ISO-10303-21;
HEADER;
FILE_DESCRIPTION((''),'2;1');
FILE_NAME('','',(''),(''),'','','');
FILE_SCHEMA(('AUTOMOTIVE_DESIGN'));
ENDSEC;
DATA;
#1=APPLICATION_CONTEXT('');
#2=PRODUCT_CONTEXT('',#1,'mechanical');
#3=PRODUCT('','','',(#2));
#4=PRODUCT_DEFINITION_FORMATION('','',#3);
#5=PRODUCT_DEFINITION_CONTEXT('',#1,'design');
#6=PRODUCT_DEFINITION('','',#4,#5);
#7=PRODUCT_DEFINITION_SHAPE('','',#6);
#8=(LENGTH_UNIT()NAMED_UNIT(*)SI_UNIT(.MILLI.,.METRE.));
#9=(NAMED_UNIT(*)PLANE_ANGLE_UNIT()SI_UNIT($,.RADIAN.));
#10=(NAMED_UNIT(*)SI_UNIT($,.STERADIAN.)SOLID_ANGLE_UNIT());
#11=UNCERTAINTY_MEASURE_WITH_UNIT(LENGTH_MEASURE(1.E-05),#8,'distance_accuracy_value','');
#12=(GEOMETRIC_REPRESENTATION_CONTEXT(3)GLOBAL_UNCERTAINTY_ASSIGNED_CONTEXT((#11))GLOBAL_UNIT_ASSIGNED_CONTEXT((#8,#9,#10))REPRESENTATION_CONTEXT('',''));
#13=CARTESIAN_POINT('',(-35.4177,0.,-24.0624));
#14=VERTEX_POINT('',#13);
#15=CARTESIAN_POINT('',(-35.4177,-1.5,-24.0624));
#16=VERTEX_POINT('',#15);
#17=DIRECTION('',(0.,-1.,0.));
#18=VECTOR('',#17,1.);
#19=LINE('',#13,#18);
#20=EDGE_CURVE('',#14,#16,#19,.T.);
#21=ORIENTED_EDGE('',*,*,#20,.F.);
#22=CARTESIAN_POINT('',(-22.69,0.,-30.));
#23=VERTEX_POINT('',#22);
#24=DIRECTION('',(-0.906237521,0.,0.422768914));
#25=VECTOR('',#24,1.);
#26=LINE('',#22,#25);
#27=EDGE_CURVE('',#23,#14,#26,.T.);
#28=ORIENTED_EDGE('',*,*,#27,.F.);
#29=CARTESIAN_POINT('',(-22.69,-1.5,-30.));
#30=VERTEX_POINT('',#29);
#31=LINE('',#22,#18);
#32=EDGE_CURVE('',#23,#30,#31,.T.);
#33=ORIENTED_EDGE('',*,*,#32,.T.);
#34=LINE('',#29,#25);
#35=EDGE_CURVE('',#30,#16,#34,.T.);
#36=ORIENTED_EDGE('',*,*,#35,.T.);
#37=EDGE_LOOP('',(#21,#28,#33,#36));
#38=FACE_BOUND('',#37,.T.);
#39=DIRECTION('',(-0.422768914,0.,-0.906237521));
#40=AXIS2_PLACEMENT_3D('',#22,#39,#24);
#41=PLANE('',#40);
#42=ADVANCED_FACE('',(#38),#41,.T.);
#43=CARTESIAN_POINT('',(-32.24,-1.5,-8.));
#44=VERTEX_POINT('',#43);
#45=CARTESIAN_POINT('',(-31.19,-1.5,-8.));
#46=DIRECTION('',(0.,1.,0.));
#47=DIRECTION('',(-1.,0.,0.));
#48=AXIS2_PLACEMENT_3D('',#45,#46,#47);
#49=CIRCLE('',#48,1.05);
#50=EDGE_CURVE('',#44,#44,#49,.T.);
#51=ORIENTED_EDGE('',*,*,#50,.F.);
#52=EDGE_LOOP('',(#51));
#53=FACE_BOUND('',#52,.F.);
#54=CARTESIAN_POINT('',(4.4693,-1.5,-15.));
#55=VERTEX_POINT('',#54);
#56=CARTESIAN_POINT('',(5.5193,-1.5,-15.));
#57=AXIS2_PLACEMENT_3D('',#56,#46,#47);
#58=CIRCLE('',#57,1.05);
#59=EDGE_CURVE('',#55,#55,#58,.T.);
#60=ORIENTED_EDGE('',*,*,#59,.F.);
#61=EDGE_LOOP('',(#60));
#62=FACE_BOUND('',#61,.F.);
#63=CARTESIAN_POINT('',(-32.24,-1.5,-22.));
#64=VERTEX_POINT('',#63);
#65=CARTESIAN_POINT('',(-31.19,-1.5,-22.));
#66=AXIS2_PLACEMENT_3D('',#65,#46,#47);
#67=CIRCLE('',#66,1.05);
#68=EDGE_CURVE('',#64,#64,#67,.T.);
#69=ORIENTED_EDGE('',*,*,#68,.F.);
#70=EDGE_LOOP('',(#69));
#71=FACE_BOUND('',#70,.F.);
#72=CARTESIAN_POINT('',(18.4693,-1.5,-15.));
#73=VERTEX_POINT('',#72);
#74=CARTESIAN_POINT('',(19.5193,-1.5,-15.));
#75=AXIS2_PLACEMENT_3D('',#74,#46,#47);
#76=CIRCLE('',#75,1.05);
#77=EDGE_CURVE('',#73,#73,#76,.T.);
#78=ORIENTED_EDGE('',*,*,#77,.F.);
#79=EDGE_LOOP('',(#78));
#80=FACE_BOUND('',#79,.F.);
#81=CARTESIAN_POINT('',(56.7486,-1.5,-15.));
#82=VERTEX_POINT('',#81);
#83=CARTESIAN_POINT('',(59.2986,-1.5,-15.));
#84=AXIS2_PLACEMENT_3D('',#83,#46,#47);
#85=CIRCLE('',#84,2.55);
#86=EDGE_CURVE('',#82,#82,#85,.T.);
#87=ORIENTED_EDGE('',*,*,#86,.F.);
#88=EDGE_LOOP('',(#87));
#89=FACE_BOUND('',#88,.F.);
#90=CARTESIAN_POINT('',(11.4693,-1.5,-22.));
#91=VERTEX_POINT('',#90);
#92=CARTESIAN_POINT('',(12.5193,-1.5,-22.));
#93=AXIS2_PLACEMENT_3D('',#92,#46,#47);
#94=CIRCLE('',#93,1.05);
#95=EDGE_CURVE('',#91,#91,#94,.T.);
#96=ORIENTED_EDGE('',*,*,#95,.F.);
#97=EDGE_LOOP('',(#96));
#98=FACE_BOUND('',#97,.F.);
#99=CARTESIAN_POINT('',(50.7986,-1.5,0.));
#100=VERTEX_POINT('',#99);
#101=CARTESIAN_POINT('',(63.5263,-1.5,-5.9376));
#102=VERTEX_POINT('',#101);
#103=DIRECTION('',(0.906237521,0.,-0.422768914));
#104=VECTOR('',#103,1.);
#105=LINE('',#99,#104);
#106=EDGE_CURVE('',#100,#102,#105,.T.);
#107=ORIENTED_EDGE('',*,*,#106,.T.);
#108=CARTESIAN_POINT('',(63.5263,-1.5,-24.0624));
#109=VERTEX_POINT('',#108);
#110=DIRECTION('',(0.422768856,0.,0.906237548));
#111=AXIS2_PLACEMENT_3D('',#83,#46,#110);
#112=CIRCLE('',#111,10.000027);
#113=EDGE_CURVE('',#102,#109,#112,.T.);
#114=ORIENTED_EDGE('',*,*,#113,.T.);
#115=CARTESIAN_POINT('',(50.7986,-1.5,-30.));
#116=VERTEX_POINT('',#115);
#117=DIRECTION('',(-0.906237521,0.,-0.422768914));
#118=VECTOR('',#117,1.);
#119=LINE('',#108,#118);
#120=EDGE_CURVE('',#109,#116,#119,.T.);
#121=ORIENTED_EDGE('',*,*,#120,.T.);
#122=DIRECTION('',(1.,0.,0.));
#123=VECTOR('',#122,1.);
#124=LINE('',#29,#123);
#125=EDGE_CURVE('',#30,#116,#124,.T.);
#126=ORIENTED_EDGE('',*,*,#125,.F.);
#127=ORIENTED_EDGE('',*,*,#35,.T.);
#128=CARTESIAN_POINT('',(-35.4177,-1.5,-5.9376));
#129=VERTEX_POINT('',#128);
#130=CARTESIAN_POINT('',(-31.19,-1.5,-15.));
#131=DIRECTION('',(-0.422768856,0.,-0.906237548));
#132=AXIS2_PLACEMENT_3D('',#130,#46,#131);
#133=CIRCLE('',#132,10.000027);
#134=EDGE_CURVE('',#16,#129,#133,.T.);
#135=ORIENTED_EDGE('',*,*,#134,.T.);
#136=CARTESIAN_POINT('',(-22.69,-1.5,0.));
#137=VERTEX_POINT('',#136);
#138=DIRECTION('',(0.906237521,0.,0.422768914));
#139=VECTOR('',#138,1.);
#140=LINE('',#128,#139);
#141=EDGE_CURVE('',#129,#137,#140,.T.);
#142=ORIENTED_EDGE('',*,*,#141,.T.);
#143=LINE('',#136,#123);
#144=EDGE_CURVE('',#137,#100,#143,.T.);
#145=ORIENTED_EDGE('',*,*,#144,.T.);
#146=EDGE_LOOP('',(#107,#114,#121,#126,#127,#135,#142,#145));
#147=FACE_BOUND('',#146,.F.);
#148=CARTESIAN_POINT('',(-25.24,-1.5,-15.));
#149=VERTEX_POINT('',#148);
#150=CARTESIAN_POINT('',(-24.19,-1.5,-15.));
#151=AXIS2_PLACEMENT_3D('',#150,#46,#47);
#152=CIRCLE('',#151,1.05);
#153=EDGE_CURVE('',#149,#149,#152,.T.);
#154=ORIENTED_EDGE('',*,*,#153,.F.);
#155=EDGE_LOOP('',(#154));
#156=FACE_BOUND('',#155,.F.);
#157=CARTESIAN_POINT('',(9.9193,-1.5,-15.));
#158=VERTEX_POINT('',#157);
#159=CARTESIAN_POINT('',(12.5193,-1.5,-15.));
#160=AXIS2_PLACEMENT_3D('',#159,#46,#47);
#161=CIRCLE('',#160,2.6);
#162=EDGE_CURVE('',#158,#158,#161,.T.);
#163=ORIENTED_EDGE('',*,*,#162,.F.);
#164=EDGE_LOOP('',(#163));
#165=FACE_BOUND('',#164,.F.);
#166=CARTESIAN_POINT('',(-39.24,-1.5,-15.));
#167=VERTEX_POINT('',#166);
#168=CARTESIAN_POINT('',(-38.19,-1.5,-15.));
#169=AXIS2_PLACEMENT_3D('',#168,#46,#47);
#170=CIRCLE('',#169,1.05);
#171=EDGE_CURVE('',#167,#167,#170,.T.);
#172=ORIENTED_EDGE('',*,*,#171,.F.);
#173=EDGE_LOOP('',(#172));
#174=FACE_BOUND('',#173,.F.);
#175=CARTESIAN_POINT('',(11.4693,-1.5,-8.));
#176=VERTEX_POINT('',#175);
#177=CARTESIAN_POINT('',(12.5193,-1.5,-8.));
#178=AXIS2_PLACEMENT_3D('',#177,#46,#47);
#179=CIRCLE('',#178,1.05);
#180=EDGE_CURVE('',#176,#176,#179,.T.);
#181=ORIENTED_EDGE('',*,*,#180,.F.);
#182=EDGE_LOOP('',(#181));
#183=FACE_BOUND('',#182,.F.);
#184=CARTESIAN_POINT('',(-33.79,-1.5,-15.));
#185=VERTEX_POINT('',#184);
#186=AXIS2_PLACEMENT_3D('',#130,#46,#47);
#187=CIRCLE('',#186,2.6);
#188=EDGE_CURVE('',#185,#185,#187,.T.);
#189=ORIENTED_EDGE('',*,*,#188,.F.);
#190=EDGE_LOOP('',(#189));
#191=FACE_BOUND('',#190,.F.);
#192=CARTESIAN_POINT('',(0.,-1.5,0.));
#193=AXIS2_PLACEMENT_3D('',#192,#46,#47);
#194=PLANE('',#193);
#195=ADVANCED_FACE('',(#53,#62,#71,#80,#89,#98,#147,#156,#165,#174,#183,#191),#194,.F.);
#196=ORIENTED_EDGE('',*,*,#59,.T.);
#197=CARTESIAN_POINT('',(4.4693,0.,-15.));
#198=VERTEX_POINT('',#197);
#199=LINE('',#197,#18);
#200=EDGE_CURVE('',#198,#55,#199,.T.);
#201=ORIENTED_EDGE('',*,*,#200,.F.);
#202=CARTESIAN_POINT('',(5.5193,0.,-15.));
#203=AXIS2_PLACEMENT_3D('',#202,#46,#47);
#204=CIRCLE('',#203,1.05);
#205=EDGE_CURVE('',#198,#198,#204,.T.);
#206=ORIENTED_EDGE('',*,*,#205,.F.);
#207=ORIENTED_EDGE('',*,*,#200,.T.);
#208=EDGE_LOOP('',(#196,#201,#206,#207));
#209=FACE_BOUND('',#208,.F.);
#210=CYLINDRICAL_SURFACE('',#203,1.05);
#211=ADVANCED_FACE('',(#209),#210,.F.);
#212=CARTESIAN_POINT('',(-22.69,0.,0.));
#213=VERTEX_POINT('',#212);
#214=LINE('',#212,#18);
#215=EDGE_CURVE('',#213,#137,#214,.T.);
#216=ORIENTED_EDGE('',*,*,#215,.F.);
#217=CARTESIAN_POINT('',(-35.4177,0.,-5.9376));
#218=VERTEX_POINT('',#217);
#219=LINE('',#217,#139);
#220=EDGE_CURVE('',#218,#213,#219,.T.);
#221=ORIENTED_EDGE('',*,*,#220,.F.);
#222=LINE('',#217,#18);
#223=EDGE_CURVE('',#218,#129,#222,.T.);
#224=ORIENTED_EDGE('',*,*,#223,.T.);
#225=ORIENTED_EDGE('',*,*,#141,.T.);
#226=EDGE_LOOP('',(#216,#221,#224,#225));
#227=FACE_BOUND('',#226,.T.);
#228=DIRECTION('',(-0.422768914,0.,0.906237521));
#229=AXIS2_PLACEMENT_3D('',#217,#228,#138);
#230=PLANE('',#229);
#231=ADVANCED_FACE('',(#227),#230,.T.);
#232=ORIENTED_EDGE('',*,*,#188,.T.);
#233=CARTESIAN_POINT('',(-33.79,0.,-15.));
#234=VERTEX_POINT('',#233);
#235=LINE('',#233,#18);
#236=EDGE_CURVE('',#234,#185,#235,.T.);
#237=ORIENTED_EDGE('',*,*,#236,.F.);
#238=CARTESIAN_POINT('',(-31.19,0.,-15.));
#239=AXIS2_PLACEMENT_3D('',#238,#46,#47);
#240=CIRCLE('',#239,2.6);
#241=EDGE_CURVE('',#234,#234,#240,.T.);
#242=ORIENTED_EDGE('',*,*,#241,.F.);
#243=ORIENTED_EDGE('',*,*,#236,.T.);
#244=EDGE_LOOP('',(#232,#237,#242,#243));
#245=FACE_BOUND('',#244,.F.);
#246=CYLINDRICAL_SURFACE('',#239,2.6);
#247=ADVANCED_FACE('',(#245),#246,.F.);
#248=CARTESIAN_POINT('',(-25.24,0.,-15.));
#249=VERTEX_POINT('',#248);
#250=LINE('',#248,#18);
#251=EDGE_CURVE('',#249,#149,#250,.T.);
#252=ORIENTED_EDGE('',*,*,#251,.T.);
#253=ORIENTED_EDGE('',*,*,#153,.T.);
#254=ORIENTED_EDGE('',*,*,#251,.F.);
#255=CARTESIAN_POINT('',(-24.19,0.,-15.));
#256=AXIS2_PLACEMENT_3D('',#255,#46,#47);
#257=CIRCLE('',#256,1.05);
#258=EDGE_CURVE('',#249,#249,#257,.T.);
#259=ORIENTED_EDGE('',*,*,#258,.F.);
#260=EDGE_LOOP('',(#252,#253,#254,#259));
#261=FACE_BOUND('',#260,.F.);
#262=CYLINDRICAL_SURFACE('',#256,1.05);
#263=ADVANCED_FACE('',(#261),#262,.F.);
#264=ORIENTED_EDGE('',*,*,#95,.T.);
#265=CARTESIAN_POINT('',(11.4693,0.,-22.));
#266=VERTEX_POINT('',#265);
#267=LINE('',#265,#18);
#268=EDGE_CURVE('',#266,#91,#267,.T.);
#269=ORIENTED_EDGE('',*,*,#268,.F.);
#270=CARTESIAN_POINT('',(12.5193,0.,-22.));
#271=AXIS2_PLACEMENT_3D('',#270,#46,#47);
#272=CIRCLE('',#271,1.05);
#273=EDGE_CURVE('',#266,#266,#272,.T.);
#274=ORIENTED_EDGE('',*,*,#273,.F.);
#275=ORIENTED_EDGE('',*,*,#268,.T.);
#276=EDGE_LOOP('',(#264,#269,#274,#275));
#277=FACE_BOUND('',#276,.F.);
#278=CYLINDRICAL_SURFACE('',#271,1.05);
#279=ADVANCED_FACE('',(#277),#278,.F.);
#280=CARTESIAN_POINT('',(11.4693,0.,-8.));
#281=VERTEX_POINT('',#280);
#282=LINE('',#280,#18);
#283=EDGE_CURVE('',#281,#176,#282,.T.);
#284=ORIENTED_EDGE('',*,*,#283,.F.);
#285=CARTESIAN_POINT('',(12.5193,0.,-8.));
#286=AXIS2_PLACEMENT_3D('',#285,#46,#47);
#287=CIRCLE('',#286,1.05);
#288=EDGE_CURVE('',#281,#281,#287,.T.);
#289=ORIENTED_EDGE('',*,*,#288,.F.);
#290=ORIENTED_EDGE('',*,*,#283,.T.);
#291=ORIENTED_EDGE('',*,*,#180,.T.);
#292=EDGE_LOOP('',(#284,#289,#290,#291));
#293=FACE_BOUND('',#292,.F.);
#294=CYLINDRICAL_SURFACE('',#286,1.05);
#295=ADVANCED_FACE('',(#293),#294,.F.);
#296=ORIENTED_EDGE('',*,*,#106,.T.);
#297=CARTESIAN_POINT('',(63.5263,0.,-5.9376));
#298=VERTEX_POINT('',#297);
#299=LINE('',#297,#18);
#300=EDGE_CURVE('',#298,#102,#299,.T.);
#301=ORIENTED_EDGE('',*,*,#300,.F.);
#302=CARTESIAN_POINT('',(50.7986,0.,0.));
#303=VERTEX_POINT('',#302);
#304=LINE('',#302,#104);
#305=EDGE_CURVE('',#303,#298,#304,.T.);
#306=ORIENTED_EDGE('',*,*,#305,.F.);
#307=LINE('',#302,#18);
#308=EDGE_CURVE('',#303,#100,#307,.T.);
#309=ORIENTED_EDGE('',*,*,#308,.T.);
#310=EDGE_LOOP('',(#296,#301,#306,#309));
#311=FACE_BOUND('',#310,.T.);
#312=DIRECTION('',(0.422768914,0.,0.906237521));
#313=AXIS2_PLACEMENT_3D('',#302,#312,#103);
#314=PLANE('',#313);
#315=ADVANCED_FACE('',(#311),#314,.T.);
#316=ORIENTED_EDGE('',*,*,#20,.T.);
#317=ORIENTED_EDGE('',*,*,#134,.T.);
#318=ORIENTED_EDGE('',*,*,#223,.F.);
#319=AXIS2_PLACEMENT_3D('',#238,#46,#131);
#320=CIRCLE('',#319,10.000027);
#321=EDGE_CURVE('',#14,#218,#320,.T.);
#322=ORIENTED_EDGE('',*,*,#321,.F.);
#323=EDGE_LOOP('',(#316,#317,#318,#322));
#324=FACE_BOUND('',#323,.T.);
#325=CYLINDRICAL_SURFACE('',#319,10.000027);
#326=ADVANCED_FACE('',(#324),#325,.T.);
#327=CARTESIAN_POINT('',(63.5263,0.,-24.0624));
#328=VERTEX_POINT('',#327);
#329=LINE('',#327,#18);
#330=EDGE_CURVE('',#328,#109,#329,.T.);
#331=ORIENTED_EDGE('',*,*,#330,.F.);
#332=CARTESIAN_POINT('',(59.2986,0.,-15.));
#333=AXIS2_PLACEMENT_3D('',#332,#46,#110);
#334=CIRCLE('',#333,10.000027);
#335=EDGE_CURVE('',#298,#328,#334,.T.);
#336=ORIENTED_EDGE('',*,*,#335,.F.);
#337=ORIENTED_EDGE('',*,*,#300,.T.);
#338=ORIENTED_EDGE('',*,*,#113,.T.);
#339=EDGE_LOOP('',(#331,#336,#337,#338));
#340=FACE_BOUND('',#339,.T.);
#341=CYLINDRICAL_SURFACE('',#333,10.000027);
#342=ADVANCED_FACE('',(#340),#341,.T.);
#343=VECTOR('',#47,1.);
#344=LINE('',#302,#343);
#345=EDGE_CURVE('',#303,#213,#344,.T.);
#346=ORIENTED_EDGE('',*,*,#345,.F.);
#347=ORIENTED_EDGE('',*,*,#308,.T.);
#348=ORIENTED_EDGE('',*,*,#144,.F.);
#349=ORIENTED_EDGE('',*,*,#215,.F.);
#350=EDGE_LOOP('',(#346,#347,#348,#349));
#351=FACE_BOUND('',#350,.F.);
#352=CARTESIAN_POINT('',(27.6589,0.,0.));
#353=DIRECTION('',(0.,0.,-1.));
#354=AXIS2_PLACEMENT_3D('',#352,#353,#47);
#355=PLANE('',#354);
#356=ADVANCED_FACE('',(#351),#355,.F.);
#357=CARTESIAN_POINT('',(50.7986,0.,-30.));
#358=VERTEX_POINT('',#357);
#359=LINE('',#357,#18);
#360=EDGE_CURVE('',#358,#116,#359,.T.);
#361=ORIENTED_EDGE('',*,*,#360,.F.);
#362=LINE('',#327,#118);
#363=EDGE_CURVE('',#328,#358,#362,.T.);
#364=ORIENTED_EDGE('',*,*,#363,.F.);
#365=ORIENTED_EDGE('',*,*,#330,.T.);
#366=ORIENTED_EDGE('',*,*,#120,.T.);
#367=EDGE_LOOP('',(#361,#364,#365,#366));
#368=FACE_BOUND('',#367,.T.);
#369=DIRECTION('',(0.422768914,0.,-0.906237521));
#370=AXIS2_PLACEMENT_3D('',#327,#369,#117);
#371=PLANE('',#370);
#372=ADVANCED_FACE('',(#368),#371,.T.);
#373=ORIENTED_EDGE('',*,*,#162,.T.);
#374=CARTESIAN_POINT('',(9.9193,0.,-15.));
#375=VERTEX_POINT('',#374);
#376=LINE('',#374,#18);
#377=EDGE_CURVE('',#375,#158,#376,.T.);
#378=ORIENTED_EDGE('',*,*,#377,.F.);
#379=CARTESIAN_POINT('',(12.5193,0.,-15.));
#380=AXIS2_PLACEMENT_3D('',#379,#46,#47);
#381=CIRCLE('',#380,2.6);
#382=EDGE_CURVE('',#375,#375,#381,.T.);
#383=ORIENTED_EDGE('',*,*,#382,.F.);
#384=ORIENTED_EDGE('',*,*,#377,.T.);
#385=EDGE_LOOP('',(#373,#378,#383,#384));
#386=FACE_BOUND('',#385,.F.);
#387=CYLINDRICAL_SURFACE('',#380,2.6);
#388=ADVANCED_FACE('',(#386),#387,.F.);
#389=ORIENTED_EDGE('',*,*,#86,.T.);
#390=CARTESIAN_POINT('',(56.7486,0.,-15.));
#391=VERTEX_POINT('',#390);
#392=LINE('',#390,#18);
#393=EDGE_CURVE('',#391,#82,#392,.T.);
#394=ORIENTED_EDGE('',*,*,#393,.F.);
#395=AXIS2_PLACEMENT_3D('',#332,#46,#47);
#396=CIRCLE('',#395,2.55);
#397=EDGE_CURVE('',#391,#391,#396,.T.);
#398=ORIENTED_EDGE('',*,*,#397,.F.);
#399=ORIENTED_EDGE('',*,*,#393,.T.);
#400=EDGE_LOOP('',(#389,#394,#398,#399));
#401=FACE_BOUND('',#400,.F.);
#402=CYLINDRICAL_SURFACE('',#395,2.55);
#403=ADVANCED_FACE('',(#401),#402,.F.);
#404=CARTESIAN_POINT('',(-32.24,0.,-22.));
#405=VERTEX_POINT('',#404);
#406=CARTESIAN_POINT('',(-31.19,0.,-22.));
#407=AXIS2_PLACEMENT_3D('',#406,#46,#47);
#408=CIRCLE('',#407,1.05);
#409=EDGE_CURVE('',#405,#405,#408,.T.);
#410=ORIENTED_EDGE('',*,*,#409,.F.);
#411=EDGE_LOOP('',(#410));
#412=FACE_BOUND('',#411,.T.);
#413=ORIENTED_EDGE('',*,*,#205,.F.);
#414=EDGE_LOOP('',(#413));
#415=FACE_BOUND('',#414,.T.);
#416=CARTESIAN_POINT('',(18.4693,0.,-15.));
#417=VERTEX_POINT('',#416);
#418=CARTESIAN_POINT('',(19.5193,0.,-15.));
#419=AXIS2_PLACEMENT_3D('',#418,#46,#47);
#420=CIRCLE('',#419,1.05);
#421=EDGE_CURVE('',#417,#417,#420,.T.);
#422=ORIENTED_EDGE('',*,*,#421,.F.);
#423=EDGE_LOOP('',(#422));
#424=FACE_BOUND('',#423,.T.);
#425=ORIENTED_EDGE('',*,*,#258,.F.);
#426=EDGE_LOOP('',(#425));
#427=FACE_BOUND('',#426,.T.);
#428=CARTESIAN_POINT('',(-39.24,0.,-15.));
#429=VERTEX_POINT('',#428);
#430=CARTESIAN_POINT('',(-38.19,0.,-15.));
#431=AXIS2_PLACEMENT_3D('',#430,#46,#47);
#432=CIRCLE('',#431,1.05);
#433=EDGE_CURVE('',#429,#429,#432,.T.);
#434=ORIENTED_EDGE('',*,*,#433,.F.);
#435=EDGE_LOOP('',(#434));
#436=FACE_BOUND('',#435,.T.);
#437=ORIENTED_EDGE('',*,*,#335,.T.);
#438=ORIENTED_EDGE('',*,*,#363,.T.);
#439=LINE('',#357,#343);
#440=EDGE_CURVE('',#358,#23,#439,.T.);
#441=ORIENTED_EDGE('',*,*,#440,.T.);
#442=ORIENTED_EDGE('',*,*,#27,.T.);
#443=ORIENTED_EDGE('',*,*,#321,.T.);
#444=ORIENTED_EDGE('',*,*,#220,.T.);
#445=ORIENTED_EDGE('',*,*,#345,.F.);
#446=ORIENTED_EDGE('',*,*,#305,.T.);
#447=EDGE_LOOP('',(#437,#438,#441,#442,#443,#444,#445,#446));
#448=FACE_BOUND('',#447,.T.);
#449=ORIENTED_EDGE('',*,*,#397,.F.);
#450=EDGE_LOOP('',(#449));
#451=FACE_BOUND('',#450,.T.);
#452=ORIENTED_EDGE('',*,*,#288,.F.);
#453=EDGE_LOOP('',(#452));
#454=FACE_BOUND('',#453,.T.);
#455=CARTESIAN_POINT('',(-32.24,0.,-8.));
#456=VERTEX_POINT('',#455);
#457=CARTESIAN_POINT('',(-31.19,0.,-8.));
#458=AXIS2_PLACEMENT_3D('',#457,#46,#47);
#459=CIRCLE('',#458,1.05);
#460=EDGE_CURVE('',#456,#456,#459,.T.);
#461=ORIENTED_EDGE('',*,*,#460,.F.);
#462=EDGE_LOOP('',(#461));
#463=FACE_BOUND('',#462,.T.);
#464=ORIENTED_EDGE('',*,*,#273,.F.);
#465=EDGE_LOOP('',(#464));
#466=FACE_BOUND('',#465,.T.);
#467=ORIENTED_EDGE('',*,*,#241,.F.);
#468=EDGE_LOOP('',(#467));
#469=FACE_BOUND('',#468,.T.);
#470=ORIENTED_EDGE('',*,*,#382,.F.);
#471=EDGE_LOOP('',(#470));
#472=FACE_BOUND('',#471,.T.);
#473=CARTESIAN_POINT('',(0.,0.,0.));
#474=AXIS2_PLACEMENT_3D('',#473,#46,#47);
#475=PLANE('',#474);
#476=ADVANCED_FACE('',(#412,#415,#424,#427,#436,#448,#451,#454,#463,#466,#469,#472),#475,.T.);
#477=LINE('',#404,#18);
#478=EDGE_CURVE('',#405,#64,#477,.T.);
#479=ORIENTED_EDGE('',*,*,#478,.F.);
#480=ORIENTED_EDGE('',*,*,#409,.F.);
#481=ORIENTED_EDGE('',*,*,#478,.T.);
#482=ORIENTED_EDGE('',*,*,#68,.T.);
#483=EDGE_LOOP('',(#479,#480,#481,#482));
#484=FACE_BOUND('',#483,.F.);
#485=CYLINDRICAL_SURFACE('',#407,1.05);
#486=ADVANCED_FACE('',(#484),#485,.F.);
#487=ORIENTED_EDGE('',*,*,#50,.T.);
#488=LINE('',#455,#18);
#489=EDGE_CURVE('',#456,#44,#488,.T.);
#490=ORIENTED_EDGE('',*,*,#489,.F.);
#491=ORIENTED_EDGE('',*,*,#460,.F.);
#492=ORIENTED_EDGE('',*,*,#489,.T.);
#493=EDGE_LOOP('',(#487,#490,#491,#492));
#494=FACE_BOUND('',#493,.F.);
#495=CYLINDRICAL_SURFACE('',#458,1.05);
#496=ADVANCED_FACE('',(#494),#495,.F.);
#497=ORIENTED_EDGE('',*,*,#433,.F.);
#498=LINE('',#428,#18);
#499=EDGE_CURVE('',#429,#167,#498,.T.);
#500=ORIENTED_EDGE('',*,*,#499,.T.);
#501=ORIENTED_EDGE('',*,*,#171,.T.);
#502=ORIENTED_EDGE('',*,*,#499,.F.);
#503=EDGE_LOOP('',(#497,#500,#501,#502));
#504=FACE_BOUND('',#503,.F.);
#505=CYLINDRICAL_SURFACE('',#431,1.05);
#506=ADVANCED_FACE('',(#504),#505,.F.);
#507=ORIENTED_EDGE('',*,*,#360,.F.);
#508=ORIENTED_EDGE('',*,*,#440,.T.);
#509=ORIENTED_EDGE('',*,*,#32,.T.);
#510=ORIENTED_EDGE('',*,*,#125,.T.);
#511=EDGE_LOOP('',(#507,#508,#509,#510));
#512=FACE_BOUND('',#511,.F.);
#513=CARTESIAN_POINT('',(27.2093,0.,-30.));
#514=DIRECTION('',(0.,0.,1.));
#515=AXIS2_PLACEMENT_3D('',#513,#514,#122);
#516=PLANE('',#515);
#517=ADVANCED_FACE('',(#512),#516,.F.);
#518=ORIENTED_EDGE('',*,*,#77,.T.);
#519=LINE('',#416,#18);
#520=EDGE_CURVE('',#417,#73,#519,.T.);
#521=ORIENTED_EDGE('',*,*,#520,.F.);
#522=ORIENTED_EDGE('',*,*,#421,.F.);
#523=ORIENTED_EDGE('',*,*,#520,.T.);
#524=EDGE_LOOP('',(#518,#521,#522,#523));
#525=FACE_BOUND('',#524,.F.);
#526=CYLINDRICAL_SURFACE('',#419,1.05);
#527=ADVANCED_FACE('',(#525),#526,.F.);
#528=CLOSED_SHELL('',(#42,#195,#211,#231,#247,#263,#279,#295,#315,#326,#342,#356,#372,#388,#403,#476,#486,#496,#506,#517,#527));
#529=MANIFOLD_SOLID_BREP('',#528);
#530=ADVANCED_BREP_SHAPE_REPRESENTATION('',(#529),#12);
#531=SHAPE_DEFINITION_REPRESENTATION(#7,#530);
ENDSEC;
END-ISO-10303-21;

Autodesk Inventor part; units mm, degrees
ref_plane "YZ Plane" through (0, 0, 0) normal (1, 0, 0) x (0, 1, 0)
ref_plane "XZ Plane" through (0, 0, 0) normal (0, 1, 0) x (-1, 0, 0)
ref_plane "XY Plane" through (0, 0, 0) normal (0, 0, 1) x (1, 0, 0)
sketch "Sketch1" plane through (0, 0, 0) normal (0, 1, 0) x (-1, 0, 0)
  line L0 (-27.6589, 0) -> (-27.6589, -30)
  line L1 (-0.4496, -30) -> (-0.4496, 0)
  circle A0 centre (-12.5193, -15) radius 2.6
  circle A1 centre (-5.5193, -15) radius 1.05
  circle A2 centre (-12.5193, -8) radius 1.05
  circle A3 centre (-19.5193, -15) radius 1.05
  circle A4 centre (-12.5193, -22) radius 1.05
  circle A5 centre (-59.2986, -15) radius 2.55
  circle A6 centre (31.19, -15) radius 2.6
  circle A7 centre (24.19, -15) radius 1.05
  circle A8 centre (31.19, -8) radius 1.05
  circle A9 centre (31.19, -22) radius 1.05
  circle A10 centre (38.19, -15) radius 1.05
  line L2 (35.4177, -5.9376) -> (22.69, 0)
  line L3 (-50.7986, 0) -> (-63.5263, -5.9376)
  line L4 (22.69, -30) -> (35.4177, -24.0624)
  line L5 (-63.5263, -24.0624) -> (-50.7986, -30)
  arc A11 (35.4177, -24.0624) -> (35.4177, -5.9376) centre (31.19, -15) ccw
  arc A12 (-63.5263, -5.9376) -> (-63.5263, -24.0624) centre (-59.2986, -15) ccw
  line L6 (-50.7986, 0) -> (22.69, 0)
  line L7 (22.69, -30) -> (-50.7986, -30)
  line L8 (-28.1086, -30) -> (-28.1086, 0)
  line L9 (-27.2093, 0) -> (-27.2093, -30)
  line L10 (-0.8993, -30) -> (-0.8993, 0)
  line L11 (0, 0) -> (0, -30)
  point P0 (0, 0)
extrude "Extrusion1" add sketch "Sketch1" against normal blind 1.5
properties part number "CAM_axis_1_supplement_frame"
